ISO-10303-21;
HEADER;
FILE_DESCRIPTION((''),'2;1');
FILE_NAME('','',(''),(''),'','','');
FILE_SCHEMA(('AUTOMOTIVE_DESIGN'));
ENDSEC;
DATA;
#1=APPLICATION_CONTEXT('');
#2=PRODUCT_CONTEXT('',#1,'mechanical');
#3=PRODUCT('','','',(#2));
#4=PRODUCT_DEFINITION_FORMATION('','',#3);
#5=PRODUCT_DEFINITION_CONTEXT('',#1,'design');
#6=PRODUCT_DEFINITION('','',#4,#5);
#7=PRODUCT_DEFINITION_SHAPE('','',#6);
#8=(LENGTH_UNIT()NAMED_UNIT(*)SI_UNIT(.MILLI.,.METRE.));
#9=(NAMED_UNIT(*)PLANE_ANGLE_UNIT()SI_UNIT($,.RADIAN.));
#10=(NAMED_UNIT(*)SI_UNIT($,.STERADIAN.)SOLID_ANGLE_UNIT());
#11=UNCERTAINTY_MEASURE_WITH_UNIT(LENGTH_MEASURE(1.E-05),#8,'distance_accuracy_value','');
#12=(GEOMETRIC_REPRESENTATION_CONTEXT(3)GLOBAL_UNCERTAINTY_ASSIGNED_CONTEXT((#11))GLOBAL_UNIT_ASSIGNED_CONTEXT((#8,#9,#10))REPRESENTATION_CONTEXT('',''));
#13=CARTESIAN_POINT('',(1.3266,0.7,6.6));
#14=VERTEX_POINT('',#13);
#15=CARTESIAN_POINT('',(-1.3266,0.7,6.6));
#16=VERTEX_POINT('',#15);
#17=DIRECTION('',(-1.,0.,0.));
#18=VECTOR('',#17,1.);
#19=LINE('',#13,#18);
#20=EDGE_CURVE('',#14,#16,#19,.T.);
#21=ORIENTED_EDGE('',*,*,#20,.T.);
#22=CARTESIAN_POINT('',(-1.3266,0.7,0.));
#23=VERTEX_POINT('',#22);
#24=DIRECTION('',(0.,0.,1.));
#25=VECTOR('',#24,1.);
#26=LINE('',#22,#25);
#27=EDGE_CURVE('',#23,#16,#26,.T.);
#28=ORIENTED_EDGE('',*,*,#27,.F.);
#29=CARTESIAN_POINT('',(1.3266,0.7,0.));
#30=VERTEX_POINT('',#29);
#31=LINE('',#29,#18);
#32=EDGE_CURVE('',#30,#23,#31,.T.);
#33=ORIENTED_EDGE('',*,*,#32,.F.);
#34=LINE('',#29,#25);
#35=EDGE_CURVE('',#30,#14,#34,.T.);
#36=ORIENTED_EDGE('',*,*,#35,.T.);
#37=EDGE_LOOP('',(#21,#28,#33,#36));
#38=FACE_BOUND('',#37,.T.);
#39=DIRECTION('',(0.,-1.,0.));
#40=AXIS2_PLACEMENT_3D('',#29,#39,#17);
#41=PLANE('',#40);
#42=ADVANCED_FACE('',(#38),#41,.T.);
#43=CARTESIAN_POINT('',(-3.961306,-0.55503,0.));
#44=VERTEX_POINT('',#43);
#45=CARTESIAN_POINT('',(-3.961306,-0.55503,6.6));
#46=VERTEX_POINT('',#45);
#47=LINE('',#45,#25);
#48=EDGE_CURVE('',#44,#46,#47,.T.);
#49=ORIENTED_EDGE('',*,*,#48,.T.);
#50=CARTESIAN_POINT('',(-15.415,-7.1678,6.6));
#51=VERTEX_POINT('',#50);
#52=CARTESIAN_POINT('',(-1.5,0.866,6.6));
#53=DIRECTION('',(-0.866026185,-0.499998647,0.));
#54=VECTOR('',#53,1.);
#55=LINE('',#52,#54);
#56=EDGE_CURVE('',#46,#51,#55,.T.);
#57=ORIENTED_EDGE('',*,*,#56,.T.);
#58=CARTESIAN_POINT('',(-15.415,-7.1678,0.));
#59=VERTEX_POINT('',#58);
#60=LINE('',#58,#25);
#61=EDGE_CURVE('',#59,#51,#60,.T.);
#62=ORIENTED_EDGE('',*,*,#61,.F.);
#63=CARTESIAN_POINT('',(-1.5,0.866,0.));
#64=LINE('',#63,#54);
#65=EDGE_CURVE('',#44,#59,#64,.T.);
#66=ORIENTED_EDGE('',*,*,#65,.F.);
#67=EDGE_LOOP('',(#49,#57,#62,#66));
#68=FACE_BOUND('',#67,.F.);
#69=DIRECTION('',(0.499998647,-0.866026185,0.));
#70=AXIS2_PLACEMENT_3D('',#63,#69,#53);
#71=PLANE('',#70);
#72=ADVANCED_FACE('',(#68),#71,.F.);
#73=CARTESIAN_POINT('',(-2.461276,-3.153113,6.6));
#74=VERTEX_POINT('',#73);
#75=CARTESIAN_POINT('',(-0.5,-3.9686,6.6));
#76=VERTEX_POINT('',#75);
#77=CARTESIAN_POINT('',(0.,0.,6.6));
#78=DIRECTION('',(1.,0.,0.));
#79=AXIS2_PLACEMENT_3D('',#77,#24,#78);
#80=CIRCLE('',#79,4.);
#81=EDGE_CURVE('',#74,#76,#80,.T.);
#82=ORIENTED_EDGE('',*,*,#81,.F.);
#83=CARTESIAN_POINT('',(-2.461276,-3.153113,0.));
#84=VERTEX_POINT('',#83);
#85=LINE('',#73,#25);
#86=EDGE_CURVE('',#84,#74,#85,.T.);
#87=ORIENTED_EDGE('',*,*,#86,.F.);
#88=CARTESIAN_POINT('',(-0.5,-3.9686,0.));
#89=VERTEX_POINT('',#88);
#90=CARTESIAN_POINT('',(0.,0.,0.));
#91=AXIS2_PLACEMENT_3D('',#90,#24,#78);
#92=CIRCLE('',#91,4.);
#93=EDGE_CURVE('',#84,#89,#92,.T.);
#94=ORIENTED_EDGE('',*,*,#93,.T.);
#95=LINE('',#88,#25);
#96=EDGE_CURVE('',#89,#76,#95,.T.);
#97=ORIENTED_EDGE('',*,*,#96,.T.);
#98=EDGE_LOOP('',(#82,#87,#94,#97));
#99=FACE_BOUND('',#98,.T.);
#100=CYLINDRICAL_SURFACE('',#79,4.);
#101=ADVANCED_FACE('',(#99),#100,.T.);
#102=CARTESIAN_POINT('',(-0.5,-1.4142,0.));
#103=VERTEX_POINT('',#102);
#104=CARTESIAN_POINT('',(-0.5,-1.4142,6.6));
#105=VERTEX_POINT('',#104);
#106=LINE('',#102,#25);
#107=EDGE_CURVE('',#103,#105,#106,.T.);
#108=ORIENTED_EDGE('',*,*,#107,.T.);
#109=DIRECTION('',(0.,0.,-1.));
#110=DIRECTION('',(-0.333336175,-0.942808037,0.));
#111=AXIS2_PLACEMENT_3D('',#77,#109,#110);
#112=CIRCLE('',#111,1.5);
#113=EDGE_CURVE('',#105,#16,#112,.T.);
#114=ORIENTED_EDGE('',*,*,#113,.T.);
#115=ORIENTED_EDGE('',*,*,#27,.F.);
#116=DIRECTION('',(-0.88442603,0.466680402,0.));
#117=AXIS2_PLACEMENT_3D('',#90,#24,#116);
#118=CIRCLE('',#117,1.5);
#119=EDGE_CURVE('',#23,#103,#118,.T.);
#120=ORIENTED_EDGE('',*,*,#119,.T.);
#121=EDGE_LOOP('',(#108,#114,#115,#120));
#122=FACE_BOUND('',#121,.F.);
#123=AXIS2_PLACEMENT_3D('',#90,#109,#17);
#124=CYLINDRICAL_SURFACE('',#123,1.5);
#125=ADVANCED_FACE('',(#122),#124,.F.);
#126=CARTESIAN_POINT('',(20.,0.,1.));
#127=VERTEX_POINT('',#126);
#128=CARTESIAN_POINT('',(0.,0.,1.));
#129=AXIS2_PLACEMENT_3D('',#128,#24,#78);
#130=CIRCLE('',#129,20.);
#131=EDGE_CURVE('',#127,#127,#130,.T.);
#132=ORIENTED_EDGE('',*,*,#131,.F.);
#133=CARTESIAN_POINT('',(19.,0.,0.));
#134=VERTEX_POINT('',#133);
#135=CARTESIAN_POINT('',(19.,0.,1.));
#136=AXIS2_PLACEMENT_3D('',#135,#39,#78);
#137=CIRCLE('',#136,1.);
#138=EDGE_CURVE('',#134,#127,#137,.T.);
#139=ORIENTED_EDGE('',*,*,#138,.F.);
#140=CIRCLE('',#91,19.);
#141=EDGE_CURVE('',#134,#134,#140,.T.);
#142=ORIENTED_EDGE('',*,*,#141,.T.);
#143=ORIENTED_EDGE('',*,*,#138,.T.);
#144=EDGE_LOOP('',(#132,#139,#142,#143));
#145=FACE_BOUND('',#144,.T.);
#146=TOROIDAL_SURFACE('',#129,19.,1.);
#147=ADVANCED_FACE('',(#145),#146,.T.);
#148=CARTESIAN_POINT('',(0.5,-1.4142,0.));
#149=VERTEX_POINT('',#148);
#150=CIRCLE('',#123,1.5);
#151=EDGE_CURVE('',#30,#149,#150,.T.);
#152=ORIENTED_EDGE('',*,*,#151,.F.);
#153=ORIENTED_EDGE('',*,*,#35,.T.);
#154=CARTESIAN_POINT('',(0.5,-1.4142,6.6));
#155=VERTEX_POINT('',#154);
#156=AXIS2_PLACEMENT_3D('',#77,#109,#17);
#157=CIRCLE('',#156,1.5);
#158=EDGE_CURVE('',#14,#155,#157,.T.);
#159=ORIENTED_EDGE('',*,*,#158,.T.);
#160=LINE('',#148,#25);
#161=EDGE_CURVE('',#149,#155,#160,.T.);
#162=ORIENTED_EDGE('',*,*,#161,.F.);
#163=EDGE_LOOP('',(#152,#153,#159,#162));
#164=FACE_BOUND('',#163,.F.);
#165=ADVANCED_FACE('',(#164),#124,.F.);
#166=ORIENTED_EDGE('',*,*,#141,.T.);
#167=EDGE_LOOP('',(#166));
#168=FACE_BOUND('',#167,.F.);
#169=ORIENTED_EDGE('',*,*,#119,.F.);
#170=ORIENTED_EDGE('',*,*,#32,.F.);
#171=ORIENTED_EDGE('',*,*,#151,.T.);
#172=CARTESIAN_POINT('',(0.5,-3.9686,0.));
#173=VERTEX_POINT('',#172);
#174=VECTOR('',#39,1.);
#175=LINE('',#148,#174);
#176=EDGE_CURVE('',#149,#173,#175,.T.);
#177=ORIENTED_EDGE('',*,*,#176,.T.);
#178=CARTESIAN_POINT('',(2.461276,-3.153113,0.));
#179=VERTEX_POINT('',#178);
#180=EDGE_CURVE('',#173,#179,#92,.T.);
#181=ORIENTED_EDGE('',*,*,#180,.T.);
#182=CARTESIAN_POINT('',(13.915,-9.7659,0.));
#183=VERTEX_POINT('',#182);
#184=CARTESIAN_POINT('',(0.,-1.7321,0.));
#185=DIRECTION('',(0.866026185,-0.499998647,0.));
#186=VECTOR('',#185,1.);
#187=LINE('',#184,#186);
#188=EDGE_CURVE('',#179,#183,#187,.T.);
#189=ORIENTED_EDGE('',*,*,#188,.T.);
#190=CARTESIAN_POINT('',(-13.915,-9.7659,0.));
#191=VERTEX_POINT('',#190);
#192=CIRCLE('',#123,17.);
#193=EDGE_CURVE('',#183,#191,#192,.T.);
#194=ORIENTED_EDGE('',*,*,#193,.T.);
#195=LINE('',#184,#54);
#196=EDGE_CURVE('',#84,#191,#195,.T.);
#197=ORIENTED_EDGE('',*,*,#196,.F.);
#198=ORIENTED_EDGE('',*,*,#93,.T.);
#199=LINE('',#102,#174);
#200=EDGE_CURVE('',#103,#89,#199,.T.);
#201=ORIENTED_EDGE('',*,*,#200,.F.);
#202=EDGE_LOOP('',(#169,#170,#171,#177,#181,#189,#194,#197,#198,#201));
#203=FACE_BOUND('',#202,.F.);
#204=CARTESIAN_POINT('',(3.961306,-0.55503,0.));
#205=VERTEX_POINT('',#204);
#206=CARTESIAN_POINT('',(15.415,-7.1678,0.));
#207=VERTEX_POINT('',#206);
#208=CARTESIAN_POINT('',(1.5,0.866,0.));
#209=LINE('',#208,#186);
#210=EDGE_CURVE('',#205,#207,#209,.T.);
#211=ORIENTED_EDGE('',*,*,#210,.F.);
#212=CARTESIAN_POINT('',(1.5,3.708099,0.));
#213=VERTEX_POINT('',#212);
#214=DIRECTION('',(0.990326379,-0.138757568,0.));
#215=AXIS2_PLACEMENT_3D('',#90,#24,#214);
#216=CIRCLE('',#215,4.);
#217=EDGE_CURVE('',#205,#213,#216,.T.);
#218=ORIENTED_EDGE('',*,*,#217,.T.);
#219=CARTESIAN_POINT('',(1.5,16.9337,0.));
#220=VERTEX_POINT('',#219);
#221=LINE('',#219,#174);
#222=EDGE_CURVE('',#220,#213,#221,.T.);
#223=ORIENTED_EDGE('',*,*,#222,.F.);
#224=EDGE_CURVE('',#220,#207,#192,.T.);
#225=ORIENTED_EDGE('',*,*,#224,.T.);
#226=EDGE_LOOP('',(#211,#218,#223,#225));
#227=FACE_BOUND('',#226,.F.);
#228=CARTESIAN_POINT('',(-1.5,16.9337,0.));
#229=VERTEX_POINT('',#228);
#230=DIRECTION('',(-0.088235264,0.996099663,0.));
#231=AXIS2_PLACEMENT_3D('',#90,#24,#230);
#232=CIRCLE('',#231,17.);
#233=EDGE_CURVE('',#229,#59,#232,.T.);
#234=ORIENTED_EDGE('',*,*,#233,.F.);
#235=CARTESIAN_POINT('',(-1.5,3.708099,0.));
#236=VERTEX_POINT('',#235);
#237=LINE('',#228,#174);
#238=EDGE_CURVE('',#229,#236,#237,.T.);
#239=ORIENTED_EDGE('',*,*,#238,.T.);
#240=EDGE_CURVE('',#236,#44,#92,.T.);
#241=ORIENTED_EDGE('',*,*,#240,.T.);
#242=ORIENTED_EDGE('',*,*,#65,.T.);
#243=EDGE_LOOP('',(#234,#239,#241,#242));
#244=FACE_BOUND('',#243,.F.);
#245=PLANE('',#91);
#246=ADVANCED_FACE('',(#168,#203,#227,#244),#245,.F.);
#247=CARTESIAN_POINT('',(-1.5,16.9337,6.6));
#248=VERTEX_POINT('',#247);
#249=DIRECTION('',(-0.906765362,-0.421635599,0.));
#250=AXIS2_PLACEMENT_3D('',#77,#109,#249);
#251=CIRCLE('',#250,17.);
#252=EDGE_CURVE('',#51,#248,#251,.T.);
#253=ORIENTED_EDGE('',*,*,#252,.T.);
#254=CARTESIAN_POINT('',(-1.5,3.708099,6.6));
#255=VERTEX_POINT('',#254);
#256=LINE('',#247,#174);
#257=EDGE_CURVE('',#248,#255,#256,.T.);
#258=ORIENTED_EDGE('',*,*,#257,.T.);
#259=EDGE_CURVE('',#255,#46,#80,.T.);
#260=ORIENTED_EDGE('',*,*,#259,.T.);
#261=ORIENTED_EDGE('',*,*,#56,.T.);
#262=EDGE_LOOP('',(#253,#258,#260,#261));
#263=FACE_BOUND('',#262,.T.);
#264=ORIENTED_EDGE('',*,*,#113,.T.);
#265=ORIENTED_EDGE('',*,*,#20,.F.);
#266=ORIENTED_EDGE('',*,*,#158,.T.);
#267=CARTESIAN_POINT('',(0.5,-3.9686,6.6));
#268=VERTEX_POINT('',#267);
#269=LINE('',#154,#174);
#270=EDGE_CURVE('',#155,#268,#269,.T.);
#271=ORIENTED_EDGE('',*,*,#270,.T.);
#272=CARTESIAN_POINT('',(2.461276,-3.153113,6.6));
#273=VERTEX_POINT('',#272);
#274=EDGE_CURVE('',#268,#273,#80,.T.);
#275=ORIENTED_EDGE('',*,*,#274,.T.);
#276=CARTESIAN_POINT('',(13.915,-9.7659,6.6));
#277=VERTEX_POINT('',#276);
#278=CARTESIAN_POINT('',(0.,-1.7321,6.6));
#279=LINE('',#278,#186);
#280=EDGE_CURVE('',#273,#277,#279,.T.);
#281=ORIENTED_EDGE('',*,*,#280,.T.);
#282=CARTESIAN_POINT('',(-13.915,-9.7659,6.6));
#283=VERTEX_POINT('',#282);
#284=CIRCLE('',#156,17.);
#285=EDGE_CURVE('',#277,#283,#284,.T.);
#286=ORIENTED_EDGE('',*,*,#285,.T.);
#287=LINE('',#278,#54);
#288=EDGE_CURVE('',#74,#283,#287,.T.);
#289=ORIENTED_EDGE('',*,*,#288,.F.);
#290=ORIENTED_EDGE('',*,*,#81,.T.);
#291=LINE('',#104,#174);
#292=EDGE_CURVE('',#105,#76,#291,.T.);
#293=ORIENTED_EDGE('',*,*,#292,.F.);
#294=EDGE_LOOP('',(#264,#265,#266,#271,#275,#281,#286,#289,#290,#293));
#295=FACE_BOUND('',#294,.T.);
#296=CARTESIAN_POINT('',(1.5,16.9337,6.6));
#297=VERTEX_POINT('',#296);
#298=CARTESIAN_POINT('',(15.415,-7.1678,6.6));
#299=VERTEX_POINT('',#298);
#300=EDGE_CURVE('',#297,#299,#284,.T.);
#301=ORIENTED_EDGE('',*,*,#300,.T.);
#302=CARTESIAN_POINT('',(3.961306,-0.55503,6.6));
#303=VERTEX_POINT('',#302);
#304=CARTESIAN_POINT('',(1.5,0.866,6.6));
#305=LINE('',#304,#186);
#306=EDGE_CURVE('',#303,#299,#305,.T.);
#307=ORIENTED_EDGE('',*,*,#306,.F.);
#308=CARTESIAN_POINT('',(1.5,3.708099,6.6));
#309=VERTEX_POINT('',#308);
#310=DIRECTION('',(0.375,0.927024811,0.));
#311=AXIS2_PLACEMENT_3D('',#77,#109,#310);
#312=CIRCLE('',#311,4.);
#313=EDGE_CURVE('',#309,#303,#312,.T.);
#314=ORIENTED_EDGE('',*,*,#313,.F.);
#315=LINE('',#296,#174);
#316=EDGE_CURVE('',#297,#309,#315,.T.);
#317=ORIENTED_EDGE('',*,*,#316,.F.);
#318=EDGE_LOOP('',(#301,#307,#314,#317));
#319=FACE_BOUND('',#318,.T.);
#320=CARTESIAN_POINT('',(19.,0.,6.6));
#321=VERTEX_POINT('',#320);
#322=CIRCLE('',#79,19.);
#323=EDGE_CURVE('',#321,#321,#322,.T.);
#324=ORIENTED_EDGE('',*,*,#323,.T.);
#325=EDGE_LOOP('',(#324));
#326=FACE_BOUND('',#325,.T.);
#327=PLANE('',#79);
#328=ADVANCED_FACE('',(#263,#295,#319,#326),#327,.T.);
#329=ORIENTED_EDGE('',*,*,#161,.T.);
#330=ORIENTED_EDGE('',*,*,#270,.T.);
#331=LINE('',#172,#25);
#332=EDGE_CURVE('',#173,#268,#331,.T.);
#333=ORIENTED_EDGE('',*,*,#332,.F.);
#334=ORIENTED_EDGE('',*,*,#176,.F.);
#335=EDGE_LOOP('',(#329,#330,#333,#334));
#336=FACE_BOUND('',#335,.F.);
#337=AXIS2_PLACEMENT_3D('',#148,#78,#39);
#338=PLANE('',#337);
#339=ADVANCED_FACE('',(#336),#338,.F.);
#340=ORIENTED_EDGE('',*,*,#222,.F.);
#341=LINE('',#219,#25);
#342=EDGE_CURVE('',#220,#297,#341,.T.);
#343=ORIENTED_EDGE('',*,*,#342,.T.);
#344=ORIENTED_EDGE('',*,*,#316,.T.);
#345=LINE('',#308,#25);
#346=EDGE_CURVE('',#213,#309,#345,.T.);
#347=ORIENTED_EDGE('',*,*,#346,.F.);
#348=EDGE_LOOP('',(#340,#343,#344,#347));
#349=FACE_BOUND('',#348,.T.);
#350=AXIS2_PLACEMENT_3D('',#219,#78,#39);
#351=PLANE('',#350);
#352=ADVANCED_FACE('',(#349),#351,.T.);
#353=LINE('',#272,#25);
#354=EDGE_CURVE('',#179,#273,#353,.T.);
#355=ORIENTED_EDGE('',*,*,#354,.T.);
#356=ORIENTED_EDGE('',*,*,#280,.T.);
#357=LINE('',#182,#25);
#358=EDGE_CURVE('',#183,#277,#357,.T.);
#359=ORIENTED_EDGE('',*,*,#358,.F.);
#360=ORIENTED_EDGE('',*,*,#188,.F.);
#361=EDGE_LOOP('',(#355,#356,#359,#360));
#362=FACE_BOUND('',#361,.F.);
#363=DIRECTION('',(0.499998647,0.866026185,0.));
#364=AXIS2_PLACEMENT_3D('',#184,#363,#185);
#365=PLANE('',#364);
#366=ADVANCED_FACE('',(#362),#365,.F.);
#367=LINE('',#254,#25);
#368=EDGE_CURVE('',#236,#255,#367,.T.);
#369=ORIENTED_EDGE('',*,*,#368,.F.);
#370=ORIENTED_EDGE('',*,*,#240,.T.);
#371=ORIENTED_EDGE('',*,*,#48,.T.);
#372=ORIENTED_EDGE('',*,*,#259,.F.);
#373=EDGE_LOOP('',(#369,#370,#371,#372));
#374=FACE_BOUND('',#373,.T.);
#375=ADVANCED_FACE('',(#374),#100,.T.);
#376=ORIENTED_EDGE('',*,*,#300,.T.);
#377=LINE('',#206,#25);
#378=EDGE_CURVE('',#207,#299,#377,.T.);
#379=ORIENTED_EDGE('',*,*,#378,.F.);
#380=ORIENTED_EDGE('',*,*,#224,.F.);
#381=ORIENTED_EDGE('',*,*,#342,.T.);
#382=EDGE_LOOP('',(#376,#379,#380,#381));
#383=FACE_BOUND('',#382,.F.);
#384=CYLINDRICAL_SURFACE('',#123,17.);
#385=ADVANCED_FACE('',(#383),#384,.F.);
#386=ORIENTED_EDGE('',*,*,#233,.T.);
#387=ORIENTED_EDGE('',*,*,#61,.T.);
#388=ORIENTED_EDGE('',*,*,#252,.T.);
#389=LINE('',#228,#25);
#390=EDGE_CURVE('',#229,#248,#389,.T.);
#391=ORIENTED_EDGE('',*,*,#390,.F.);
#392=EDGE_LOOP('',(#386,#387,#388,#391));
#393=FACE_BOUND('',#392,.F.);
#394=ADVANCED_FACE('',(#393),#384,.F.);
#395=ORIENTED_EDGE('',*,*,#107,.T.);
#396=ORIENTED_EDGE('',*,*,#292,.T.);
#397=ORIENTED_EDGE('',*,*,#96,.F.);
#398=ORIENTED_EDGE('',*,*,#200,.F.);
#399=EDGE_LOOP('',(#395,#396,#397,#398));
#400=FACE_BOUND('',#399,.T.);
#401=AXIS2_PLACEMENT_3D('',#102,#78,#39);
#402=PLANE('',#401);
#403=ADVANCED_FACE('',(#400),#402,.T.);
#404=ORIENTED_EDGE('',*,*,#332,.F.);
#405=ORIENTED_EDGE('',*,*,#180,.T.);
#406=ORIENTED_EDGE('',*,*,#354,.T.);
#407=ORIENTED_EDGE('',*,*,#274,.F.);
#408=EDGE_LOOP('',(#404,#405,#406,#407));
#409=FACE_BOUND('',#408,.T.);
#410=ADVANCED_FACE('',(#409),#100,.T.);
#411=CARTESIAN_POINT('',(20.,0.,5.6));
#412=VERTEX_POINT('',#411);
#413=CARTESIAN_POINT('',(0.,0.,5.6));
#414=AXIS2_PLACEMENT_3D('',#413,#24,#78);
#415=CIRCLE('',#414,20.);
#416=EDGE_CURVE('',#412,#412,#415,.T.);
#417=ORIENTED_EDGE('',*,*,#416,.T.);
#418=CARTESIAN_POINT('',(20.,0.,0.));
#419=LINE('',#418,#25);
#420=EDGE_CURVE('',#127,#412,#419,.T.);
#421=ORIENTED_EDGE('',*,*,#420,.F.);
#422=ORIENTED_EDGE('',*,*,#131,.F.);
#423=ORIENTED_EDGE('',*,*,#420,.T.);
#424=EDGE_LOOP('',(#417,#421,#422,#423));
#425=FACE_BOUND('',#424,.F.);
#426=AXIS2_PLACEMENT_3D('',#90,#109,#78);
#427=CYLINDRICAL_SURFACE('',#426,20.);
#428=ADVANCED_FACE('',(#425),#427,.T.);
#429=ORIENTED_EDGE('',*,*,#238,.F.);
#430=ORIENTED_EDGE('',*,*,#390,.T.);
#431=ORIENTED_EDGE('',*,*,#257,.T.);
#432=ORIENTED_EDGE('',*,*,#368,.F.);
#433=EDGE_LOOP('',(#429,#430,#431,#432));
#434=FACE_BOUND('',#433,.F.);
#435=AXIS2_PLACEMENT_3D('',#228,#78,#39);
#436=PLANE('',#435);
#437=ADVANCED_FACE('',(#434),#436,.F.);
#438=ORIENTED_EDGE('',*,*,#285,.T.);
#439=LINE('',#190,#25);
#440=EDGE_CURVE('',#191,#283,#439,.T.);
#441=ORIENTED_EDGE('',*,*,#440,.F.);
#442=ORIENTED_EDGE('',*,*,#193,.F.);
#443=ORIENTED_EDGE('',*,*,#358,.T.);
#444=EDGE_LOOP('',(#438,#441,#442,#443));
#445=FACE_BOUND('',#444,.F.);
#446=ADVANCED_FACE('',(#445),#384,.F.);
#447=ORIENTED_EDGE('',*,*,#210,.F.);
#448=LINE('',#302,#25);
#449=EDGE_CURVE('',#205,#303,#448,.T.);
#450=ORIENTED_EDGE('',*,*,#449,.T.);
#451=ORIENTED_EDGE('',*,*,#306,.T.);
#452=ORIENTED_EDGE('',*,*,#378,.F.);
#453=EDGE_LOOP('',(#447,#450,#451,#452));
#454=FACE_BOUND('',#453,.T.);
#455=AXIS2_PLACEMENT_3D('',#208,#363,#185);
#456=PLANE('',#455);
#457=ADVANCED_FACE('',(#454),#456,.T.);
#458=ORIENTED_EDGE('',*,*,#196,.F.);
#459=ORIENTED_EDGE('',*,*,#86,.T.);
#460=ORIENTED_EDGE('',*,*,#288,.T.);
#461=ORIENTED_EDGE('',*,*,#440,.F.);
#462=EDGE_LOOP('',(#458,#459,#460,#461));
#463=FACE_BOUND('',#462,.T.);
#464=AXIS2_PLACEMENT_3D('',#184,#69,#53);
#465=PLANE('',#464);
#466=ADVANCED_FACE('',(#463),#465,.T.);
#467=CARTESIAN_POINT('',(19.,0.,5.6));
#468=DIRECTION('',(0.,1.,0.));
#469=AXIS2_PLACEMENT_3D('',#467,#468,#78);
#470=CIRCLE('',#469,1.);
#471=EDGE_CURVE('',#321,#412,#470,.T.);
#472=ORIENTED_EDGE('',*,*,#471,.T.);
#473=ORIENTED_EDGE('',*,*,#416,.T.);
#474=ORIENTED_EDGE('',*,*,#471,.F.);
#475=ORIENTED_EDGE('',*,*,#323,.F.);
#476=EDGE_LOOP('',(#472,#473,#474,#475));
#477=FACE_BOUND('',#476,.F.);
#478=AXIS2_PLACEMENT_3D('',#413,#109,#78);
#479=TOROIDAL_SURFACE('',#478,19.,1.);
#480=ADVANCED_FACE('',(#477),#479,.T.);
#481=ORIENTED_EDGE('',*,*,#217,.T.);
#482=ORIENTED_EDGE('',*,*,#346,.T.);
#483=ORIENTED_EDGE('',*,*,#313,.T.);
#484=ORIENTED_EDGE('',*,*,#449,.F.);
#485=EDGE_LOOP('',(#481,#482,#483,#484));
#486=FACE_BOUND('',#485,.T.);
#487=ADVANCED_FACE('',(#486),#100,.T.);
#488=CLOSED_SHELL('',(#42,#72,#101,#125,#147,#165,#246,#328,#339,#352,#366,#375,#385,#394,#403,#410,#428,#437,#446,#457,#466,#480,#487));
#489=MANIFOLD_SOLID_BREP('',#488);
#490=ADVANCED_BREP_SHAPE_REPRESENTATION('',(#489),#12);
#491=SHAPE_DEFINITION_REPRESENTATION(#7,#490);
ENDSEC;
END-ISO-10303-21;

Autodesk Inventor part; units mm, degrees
ref_plane "YZ Plane" through (0, 0, 0) normal (1, 0, 0) x (0, 1, 0)
ref_plane "XZ Plane" through (0, 0, 0) normal (0, 1, 0) x (-1, 0, 0)
ref_plane "XY Plane" through (0, 0, 0) normal (0, 0, 1) x (1, 0, 0)
sketch "Sketch1" plane through (0, 0, 0) normal (0, 0, 1) x (1, 0, 0)
  circle A0 centre (0, 0) radius 20
  dimension "d0" = 40
extrude "Extrusion1" add sketch "Sketch1" along normal blind 6.6
sketch "Sketch3" plane through (0, 0, 0) normal (0, 0, -1) x (-1, 0, 0)
  circle A0 centre (0, 0) radius 17
  line L0 (0, 17) -> (0, 0)
  line L1 (0, 0) -> (14.7224, -8.5)
  line L2 (0, 0) -> (-14.7224, -8.5)
  line L3 (0, 0) -> (17, 0) construction
  line L4 (1.5, 16.9337) -> (1.5, 0.866)
  line L5 (-1.5, 16.9337) -> (-1.5, 0.866)
  line L6 (-1.5, 0.866) -> (-15.415, -7.1678)
  line L7 (0, -1.7321) -> (-13.915, -9.7659)
  line L8 (1.5, 0.866) -> (15.415, -7.1678)
  line L9 (0, -1.7321) -> (13.915, -9.7659)
  dimension "d6" = 34
  dimension "d7" = 120
  dimension "d8" = 150
  dimension "d9" = 1.5
  dimension "d10" = 1.5
  dimension "d11" = 1.5
  dimension "d12" = 1.5
  dimension "d13" = 1.5
  dimension "d14" = 1.5
extrude "Extrusion3" cut sketch "Sketch3" against normal up to surface (6.6 mm away) contours A0 L8 L4 | L5 L6 A0 | A0 L7 L9
sketch "Sketch5" plane through (0, 0, 6.6) normal (0, 0, 1) x (1, 0, 0)
  circle A0 centre (0, 0) radius 4
  dimension "d20" = 8
extrude "Extrusion5" add sketch "Sketch5" against normal blind 6.6
sketch "Sketch6" plane through (0, 0, 0) normal (0, 0, -1) x (-1, 0, 0)
  circle A0 centre (0, 0) radius 1.5
  line L0 (0, -1.5) -> (0, -4)
  arc A1 (-2.4613, -3.1531) -> (2.4613, -3.1531) centre (0, 0) ccw projected
  line L1 (0.5, -1.4142) -> (0.5, -3.9686)
  line L2 (-0.5, -1.4142) -> (-0.5, -3.9686)
  line L3 (-1.3266, 0.7) -> (1.3266, 0.7)
  point P0 (0.0845, 0.7)
  dimension "d23" = 3
  dimension "d24" = 0.5
  dimension "d25" = 0.5
  dimension "d29" = 2.2
extrude "Extrusion6" cut sketch "Sketch6" against normal up to surface (6.6 mm away) contours A0 L3 | L1 A1 L0 A0 | L0 A1 L2 A0 picked at (0, -0.0333)
fillet "Arredondamento1" radius 1 2 edges at (-20, 0, 6.6) (-20, 0, 0)
properties part number "wheel"
